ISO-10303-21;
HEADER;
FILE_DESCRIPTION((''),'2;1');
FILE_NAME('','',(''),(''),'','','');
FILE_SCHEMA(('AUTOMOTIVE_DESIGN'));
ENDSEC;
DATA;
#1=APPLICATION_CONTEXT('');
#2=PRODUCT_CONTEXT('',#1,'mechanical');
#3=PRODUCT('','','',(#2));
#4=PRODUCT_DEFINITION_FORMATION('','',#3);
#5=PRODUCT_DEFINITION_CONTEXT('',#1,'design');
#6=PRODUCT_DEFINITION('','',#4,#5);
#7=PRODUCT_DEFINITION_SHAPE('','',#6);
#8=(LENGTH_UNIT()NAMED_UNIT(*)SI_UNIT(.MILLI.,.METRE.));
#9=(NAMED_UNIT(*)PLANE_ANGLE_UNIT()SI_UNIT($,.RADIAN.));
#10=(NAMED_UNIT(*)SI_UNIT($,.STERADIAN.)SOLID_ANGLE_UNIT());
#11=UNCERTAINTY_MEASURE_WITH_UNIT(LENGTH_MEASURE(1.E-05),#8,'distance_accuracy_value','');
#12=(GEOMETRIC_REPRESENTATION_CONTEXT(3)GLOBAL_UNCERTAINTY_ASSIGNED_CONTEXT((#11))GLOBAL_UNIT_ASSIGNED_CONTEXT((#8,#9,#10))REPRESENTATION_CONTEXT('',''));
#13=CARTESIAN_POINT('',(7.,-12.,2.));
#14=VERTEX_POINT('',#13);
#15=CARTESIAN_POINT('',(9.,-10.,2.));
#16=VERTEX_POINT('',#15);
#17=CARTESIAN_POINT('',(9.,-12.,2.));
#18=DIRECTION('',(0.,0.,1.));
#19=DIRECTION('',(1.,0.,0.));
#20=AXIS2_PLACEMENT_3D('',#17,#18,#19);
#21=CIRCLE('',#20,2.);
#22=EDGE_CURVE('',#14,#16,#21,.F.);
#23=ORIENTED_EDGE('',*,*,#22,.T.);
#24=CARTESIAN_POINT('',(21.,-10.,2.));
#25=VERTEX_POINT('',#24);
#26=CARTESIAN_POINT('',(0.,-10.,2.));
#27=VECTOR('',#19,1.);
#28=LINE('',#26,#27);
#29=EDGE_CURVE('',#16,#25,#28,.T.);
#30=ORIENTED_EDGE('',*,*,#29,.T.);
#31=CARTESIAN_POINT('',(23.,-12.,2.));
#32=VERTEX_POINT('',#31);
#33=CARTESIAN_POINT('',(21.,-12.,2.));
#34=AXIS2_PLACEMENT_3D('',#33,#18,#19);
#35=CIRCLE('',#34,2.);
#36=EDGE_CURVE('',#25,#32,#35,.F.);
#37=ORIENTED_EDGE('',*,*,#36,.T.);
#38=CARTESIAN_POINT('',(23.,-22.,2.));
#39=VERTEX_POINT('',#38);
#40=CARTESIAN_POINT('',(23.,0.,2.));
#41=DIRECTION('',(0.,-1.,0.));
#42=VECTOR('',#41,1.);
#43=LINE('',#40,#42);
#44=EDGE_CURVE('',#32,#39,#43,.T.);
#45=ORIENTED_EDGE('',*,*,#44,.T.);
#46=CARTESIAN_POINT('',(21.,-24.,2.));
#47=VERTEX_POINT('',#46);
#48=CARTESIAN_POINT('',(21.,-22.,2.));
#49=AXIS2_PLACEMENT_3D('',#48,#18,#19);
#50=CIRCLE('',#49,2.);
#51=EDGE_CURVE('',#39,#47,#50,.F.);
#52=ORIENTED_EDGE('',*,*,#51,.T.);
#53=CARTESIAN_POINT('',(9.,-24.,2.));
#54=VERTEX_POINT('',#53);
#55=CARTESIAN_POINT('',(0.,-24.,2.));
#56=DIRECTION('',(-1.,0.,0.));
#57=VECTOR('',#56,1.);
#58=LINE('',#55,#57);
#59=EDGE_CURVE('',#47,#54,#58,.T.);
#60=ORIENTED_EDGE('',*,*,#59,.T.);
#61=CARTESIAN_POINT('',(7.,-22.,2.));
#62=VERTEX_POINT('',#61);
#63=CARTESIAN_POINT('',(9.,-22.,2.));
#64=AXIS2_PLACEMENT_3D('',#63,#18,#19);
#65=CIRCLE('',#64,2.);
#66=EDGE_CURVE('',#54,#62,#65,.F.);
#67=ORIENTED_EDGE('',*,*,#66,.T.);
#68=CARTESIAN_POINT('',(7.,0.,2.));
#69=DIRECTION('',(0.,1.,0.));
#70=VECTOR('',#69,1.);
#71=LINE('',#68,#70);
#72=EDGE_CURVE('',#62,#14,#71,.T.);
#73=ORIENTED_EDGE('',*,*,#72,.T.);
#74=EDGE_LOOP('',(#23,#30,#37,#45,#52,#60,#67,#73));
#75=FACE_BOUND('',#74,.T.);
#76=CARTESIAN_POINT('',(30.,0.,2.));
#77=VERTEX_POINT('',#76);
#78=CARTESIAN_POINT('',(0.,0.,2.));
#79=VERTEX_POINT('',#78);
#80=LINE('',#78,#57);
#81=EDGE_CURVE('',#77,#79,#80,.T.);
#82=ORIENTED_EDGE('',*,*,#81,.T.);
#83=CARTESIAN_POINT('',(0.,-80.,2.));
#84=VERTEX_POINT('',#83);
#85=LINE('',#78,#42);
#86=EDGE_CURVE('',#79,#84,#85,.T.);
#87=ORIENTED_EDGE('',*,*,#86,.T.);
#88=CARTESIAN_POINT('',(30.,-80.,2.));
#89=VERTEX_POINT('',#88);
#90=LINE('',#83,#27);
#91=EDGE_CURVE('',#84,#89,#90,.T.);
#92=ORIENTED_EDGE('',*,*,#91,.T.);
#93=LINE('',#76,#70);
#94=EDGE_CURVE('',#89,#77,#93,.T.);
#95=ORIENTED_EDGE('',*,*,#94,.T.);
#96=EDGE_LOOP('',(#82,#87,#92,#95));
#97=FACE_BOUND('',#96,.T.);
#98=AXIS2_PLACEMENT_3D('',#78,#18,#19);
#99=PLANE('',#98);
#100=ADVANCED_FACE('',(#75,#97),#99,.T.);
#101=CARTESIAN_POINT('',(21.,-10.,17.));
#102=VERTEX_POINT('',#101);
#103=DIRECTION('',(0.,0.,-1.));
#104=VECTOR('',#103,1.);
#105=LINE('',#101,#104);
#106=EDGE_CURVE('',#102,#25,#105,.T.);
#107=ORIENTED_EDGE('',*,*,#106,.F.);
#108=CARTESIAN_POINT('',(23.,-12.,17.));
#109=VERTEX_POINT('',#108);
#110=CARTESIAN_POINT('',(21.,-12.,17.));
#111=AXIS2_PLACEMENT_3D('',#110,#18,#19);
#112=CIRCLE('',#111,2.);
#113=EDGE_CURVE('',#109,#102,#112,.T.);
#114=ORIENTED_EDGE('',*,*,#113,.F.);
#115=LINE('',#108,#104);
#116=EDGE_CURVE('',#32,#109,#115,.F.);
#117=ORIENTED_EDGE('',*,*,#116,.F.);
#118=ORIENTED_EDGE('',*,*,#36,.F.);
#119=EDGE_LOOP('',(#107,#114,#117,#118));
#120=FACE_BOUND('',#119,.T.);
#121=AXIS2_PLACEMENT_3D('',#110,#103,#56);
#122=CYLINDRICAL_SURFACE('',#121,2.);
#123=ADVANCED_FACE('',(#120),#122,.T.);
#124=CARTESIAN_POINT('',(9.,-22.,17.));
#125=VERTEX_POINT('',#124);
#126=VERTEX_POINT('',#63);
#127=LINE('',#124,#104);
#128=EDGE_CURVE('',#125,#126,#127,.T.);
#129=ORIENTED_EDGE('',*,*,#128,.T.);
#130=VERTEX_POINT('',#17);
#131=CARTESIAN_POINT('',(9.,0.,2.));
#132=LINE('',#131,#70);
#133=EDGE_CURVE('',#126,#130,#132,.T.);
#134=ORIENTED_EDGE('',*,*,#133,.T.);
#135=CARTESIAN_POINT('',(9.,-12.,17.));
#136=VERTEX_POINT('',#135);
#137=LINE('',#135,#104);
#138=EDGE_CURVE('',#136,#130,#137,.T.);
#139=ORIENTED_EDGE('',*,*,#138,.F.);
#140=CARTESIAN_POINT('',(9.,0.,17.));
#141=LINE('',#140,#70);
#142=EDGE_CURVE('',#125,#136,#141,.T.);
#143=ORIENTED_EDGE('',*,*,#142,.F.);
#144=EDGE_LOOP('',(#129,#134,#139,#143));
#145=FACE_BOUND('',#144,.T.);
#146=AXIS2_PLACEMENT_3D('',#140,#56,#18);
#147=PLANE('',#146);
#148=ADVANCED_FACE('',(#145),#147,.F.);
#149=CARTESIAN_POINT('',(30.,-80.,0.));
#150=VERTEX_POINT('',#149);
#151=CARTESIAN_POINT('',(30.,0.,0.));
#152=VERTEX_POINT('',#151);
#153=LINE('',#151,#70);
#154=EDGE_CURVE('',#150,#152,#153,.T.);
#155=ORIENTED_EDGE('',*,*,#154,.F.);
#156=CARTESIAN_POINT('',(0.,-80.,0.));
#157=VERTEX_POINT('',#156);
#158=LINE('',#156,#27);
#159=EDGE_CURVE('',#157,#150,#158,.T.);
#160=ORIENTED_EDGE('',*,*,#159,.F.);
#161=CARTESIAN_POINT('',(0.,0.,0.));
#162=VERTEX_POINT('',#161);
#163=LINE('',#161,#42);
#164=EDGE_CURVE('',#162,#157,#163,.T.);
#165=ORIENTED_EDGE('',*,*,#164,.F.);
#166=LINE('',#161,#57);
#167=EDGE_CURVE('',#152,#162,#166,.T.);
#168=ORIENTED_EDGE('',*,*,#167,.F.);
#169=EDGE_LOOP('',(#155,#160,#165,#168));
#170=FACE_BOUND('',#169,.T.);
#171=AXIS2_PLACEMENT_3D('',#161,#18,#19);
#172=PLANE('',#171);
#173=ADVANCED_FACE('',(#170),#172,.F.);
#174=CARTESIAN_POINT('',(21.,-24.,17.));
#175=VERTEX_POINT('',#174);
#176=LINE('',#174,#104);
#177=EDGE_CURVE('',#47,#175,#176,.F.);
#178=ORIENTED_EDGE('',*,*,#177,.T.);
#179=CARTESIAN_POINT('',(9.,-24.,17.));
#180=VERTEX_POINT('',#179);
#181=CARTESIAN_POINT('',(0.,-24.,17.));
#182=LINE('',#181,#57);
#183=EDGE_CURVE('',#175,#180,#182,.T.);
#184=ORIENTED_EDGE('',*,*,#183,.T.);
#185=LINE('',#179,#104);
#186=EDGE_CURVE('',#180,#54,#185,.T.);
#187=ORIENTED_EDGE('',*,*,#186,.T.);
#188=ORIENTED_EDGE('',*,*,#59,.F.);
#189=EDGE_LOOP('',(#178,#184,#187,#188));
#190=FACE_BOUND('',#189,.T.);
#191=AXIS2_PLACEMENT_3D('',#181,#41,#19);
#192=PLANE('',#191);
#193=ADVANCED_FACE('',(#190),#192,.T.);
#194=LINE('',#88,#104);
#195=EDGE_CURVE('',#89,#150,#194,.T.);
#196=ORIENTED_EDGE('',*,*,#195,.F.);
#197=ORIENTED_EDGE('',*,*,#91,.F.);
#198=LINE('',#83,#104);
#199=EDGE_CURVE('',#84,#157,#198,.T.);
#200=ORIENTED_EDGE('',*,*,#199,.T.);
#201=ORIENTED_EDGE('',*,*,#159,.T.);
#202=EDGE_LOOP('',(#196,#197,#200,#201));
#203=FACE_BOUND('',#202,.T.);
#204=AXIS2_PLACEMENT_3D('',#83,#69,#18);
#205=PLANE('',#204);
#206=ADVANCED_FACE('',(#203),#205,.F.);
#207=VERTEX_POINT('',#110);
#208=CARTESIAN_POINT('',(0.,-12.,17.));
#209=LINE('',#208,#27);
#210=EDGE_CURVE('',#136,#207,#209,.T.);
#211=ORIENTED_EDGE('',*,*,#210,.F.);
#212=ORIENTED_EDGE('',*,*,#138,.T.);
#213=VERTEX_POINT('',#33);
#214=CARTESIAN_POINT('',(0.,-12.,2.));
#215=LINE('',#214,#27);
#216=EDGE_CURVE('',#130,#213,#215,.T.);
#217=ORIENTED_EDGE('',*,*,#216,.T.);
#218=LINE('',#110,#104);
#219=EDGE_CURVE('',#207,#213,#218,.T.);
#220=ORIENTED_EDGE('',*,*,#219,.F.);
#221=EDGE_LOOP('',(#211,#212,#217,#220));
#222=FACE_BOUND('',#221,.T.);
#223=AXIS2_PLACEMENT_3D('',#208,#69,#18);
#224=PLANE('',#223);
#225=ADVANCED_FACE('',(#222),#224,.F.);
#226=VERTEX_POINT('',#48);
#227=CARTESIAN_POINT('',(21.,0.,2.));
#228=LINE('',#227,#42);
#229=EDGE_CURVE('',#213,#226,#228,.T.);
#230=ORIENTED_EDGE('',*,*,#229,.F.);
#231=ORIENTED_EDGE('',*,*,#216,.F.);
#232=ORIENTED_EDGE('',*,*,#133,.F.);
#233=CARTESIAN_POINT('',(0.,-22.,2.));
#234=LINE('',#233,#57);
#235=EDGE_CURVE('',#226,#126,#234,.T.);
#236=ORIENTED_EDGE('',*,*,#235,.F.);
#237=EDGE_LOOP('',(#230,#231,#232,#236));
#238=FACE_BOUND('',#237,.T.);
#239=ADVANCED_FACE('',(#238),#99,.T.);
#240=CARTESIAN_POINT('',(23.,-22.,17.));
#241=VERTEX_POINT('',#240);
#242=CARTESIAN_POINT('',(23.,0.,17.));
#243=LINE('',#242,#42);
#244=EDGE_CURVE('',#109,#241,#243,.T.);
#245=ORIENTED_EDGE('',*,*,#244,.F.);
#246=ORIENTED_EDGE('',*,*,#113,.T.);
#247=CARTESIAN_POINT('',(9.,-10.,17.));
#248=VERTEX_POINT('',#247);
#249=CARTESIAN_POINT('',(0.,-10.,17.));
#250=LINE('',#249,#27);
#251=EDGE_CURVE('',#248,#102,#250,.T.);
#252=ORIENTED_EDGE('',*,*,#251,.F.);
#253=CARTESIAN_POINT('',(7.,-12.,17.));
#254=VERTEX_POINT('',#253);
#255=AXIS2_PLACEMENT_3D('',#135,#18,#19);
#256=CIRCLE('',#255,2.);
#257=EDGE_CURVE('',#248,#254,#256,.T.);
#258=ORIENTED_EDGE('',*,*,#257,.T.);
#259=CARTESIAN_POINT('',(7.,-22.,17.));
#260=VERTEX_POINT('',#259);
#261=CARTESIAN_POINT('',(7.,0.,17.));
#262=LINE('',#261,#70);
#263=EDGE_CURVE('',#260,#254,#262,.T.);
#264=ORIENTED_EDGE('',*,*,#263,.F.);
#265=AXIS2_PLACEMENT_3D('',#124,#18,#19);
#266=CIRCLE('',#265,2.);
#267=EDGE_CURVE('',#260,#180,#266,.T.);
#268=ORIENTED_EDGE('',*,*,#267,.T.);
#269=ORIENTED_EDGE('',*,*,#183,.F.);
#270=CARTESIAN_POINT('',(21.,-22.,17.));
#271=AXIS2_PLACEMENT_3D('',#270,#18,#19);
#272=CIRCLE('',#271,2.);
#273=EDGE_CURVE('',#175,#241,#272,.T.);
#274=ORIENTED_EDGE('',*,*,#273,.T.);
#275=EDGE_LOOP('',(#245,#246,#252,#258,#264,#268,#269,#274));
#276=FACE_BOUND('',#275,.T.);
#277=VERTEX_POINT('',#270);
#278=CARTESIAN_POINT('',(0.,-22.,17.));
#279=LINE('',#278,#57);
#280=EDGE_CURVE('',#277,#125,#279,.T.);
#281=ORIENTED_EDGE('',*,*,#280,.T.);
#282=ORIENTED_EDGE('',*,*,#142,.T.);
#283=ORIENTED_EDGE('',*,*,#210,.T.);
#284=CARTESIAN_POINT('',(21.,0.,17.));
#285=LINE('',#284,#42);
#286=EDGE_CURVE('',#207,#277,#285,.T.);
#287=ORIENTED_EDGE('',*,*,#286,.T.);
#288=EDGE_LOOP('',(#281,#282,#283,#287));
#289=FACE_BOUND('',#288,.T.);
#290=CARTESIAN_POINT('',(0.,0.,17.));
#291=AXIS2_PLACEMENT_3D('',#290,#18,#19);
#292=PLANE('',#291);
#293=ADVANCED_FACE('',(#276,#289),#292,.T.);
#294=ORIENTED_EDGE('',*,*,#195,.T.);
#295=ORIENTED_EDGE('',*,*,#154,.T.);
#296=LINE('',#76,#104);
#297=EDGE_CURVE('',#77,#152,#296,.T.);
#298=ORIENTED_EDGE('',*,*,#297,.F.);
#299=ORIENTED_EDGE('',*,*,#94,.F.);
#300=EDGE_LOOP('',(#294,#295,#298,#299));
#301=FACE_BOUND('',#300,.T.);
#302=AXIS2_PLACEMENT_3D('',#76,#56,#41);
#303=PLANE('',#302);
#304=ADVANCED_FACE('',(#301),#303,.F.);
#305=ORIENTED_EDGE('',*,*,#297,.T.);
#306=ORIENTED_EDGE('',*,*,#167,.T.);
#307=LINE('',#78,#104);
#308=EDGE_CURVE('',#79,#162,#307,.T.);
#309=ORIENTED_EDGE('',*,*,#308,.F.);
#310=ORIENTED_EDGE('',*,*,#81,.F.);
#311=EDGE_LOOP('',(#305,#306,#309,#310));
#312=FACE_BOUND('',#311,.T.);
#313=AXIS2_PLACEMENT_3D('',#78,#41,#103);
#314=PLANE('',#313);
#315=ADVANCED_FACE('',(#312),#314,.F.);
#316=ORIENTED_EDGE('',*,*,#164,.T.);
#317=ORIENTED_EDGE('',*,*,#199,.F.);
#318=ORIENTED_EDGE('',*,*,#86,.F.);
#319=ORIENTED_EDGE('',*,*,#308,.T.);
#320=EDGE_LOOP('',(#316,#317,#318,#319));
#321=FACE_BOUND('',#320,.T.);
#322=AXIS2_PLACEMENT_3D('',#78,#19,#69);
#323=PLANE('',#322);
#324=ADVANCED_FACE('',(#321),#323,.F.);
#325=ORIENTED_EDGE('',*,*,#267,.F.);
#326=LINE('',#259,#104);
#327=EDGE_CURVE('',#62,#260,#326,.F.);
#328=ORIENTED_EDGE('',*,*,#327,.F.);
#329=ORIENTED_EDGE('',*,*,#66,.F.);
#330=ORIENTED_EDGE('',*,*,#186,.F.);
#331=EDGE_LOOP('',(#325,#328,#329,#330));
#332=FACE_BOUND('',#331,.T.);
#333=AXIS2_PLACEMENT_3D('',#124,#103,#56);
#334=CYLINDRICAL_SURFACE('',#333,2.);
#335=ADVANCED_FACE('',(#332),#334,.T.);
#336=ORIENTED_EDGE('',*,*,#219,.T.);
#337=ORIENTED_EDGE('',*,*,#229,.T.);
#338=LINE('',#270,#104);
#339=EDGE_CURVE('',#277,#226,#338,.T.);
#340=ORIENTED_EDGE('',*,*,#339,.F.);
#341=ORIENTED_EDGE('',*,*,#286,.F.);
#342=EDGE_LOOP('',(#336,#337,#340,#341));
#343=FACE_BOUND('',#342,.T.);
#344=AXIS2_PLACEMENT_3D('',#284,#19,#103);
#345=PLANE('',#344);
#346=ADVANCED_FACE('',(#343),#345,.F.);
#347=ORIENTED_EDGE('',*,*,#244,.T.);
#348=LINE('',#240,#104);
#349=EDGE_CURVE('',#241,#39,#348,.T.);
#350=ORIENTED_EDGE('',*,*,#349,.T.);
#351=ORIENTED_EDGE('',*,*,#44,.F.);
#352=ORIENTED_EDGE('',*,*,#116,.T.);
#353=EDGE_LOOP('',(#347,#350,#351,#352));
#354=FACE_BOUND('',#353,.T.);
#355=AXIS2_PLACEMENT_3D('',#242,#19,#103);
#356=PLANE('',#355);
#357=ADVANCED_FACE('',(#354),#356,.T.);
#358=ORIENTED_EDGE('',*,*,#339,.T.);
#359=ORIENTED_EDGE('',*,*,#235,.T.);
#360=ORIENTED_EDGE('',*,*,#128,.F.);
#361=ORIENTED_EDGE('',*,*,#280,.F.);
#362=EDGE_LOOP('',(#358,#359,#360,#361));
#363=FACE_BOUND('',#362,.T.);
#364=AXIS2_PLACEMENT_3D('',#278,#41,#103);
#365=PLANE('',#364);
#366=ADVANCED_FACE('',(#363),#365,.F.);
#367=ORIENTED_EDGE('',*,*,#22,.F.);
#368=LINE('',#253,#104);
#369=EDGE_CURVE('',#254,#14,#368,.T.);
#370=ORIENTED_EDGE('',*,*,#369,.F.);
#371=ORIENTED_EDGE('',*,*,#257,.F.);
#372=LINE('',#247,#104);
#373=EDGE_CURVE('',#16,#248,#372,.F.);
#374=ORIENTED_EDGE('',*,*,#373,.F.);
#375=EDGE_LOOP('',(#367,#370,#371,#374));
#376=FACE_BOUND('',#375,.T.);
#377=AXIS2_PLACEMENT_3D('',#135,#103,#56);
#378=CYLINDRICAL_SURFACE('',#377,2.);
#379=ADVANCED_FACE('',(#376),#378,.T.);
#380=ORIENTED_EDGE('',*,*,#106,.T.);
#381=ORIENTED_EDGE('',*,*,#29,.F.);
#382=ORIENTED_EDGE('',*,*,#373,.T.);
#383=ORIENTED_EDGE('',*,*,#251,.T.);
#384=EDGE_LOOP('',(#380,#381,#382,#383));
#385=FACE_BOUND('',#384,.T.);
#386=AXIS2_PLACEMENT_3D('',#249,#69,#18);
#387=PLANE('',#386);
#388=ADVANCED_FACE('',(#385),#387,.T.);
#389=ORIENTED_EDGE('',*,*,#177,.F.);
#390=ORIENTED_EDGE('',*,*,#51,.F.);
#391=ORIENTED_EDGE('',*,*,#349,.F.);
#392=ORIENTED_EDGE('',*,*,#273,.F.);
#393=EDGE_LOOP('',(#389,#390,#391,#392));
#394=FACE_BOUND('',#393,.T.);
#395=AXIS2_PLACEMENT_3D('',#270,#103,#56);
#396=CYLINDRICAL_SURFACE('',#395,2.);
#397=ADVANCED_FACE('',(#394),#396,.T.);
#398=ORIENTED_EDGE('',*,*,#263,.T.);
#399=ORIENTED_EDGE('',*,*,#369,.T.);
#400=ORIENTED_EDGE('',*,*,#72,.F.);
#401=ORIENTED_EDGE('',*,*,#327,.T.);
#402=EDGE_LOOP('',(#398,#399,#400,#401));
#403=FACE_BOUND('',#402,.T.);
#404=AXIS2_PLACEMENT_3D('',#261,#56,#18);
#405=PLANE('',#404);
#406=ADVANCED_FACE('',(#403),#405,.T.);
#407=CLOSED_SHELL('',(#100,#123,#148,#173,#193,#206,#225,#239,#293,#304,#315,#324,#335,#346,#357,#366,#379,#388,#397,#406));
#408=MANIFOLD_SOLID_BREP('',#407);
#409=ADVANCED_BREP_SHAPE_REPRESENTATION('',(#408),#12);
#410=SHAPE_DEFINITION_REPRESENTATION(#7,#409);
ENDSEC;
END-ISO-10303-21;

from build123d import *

# Parameters (mm, degrees)
SKETCH_1_W      = 30
SKETCH_1_H      = 80
EXTRUDE_1_DEPTH = 2
SKETCH_2_W      = 16
SKETCH_2_H      = 14
SKETCH_2_W_2    = 12
SKETCH_2_H_2    = 10
EXTRUDE_2_DEPTH = 15
FILLET_1_R      = 2


with BuildPart() as part:
    # 草图1 → 凸台-拉伸1 (new body)
    with BuildSketch(Plane.XY):
        with Locations((15, -40)):
            Rectangle(SKETCH_1_W, SKETCH_1_H)
    extrude(amount=EXTRUDE_1_DEPTH)

    # 草图2 → 凸台-拉伸2 (add)
    with BuildSketch(Plane.XY.offset(2)):
        with Locations((15, -17)):
            Rectangle(SKETCH_2_W, SKETCH_2_H)
        with Locations((15, -17)):
            Rectangle(SKETCH_2_W_2, SKETCH_2_H_2, mode=Mode.SUBTRACT)
    extrude(amount=EXTRUDE_2_DEPTH)

    # 圆角1
    fillet_1_edges = [part.edges().sort_by_distance(p)[0] for p in [
        (23, -10, 9.5),
        (7, -10, 9.5),
        (7, -24, 9.5),
        (23, -24, 9.5),
    ]]
    fillet(fillet_1_edges, radius=FILLET_1_R)


solid = part.part
